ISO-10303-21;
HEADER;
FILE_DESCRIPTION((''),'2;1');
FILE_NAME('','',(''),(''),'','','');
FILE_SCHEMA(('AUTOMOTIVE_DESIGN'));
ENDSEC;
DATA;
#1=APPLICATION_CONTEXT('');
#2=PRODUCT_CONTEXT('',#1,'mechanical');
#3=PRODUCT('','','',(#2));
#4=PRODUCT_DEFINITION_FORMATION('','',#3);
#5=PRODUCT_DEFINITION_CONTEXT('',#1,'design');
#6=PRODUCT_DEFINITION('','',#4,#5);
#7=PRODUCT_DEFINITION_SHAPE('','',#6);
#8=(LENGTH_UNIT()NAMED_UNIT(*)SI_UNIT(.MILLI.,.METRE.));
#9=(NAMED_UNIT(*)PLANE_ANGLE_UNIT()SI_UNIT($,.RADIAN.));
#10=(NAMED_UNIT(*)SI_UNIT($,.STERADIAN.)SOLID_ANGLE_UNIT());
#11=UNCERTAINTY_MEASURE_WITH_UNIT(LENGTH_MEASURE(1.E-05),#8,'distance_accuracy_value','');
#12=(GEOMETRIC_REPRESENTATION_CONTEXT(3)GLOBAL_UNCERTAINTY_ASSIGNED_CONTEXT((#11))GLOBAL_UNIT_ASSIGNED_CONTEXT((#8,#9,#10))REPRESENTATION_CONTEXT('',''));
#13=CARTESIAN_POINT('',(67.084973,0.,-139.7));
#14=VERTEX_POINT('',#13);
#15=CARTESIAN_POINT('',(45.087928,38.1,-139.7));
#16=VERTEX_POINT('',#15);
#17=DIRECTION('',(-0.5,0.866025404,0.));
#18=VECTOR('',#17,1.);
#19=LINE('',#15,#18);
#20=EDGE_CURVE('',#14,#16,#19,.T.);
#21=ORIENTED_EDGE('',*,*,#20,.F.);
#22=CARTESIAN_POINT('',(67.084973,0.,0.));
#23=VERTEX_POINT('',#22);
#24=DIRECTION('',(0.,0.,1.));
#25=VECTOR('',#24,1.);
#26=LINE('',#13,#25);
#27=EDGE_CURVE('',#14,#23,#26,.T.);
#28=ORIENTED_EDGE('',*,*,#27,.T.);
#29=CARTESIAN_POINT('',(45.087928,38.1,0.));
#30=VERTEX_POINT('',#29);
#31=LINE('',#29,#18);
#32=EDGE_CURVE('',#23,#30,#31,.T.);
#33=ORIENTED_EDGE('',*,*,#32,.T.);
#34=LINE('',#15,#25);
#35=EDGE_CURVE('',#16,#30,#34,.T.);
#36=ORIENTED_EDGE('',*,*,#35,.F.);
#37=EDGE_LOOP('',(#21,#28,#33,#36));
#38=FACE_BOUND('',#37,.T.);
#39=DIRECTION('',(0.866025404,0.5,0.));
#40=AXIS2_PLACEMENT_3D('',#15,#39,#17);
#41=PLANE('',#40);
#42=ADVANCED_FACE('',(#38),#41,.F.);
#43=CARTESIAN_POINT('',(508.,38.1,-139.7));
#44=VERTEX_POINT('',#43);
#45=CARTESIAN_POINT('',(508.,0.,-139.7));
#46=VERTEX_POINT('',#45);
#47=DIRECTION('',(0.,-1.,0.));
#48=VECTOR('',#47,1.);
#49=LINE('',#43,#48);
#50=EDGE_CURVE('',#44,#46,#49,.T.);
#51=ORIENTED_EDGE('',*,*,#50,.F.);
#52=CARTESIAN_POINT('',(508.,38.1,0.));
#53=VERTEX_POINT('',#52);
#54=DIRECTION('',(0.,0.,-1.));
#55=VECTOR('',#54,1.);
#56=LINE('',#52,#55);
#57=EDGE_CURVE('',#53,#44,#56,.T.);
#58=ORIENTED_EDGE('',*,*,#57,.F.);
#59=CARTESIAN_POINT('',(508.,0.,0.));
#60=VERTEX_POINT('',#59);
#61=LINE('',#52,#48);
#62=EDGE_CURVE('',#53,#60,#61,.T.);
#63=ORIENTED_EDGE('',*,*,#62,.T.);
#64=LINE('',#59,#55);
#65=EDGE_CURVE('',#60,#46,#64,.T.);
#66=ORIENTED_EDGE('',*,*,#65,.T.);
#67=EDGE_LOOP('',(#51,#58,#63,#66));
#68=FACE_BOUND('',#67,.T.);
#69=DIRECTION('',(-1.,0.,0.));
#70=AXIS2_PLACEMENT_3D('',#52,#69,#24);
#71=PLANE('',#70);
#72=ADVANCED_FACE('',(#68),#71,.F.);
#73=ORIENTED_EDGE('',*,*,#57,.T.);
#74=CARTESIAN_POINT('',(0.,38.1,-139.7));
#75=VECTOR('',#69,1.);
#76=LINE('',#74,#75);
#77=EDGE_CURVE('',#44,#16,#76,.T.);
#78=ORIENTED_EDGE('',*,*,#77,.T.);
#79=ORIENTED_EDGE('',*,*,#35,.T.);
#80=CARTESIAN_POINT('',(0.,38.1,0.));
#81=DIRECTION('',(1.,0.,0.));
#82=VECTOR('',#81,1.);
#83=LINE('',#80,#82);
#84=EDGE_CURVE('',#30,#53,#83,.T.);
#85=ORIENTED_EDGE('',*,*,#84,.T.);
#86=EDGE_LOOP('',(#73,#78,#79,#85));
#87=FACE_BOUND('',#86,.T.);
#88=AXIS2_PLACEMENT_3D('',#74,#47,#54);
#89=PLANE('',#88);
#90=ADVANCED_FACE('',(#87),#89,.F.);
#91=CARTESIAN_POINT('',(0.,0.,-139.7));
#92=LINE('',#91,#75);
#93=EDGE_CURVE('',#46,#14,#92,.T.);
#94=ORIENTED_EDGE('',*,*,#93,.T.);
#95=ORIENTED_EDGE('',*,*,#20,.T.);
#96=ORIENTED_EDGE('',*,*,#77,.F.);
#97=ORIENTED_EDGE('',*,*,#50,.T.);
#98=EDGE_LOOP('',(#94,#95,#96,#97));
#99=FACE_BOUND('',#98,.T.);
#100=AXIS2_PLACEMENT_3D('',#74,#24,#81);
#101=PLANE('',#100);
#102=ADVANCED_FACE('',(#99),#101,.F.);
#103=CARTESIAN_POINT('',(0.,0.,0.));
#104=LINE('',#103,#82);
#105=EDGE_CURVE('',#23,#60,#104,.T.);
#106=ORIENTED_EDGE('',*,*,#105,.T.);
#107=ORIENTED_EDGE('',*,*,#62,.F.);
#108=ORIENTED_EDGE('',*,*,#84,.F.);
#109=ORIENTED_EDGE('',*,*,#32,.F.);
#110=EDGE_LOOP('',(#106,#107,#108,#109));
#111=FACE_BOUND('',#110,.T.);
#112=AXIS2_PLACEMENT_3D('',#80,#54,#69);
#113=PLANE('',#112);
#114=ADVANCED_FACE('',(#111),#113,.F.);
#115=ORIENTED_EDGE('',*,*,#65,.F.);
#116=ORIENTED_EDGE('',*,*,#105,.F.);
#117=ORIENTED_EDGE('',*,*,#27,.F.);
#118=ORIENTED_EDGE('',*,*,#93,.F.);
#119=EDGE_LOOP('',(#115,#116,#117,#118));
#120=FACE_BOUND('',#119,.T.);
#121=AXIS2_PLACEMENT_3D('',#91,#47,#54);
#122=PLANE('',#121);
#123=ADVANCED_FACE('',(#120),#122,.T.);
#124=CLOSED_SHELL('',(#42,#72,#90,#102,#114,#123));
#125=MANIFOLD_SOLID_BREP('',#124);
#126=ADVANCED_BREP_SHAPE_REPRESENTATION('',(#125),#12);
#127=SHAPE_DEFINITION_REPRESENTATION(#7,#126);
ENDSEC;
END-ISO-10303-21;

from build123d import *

# Parameters (mm, degrees)
SKETCH1_W           = 508
SKETCH1_H           = 139.7
BOSS_EXTRUDE1_DEPTH = 38.1
CUT_EXTRUDE1_DEPTH  = 140.7


with BuildPart() as part:
    # Sketch1 → Boss-Extrude1 (new body)
    with BuildSketch(Plane(origin=(0, 0, 0), x_dir=(1, 0, 0), z_dir=(0, 1, 0))):
        with Locations((254, 69.85)):
            Rectangle(SKETCH1_W, SKETCH1_H)
    extrude(amount=BOSS_EXTRUDE1_DEPTH)

    # Sketch2 → Cut-Extrude1 (cut, through all)
    with BuildSketch(Plane.XY):
        Polygon((45.087928127, 38.1), (67.084973383, 0), (0, 0), (0, 38.1), align=None)
    extrude(amount=-CUT_EXTRUDE1_DEPTH, mode=Mode.SUBTRACT)


solid = part.part
